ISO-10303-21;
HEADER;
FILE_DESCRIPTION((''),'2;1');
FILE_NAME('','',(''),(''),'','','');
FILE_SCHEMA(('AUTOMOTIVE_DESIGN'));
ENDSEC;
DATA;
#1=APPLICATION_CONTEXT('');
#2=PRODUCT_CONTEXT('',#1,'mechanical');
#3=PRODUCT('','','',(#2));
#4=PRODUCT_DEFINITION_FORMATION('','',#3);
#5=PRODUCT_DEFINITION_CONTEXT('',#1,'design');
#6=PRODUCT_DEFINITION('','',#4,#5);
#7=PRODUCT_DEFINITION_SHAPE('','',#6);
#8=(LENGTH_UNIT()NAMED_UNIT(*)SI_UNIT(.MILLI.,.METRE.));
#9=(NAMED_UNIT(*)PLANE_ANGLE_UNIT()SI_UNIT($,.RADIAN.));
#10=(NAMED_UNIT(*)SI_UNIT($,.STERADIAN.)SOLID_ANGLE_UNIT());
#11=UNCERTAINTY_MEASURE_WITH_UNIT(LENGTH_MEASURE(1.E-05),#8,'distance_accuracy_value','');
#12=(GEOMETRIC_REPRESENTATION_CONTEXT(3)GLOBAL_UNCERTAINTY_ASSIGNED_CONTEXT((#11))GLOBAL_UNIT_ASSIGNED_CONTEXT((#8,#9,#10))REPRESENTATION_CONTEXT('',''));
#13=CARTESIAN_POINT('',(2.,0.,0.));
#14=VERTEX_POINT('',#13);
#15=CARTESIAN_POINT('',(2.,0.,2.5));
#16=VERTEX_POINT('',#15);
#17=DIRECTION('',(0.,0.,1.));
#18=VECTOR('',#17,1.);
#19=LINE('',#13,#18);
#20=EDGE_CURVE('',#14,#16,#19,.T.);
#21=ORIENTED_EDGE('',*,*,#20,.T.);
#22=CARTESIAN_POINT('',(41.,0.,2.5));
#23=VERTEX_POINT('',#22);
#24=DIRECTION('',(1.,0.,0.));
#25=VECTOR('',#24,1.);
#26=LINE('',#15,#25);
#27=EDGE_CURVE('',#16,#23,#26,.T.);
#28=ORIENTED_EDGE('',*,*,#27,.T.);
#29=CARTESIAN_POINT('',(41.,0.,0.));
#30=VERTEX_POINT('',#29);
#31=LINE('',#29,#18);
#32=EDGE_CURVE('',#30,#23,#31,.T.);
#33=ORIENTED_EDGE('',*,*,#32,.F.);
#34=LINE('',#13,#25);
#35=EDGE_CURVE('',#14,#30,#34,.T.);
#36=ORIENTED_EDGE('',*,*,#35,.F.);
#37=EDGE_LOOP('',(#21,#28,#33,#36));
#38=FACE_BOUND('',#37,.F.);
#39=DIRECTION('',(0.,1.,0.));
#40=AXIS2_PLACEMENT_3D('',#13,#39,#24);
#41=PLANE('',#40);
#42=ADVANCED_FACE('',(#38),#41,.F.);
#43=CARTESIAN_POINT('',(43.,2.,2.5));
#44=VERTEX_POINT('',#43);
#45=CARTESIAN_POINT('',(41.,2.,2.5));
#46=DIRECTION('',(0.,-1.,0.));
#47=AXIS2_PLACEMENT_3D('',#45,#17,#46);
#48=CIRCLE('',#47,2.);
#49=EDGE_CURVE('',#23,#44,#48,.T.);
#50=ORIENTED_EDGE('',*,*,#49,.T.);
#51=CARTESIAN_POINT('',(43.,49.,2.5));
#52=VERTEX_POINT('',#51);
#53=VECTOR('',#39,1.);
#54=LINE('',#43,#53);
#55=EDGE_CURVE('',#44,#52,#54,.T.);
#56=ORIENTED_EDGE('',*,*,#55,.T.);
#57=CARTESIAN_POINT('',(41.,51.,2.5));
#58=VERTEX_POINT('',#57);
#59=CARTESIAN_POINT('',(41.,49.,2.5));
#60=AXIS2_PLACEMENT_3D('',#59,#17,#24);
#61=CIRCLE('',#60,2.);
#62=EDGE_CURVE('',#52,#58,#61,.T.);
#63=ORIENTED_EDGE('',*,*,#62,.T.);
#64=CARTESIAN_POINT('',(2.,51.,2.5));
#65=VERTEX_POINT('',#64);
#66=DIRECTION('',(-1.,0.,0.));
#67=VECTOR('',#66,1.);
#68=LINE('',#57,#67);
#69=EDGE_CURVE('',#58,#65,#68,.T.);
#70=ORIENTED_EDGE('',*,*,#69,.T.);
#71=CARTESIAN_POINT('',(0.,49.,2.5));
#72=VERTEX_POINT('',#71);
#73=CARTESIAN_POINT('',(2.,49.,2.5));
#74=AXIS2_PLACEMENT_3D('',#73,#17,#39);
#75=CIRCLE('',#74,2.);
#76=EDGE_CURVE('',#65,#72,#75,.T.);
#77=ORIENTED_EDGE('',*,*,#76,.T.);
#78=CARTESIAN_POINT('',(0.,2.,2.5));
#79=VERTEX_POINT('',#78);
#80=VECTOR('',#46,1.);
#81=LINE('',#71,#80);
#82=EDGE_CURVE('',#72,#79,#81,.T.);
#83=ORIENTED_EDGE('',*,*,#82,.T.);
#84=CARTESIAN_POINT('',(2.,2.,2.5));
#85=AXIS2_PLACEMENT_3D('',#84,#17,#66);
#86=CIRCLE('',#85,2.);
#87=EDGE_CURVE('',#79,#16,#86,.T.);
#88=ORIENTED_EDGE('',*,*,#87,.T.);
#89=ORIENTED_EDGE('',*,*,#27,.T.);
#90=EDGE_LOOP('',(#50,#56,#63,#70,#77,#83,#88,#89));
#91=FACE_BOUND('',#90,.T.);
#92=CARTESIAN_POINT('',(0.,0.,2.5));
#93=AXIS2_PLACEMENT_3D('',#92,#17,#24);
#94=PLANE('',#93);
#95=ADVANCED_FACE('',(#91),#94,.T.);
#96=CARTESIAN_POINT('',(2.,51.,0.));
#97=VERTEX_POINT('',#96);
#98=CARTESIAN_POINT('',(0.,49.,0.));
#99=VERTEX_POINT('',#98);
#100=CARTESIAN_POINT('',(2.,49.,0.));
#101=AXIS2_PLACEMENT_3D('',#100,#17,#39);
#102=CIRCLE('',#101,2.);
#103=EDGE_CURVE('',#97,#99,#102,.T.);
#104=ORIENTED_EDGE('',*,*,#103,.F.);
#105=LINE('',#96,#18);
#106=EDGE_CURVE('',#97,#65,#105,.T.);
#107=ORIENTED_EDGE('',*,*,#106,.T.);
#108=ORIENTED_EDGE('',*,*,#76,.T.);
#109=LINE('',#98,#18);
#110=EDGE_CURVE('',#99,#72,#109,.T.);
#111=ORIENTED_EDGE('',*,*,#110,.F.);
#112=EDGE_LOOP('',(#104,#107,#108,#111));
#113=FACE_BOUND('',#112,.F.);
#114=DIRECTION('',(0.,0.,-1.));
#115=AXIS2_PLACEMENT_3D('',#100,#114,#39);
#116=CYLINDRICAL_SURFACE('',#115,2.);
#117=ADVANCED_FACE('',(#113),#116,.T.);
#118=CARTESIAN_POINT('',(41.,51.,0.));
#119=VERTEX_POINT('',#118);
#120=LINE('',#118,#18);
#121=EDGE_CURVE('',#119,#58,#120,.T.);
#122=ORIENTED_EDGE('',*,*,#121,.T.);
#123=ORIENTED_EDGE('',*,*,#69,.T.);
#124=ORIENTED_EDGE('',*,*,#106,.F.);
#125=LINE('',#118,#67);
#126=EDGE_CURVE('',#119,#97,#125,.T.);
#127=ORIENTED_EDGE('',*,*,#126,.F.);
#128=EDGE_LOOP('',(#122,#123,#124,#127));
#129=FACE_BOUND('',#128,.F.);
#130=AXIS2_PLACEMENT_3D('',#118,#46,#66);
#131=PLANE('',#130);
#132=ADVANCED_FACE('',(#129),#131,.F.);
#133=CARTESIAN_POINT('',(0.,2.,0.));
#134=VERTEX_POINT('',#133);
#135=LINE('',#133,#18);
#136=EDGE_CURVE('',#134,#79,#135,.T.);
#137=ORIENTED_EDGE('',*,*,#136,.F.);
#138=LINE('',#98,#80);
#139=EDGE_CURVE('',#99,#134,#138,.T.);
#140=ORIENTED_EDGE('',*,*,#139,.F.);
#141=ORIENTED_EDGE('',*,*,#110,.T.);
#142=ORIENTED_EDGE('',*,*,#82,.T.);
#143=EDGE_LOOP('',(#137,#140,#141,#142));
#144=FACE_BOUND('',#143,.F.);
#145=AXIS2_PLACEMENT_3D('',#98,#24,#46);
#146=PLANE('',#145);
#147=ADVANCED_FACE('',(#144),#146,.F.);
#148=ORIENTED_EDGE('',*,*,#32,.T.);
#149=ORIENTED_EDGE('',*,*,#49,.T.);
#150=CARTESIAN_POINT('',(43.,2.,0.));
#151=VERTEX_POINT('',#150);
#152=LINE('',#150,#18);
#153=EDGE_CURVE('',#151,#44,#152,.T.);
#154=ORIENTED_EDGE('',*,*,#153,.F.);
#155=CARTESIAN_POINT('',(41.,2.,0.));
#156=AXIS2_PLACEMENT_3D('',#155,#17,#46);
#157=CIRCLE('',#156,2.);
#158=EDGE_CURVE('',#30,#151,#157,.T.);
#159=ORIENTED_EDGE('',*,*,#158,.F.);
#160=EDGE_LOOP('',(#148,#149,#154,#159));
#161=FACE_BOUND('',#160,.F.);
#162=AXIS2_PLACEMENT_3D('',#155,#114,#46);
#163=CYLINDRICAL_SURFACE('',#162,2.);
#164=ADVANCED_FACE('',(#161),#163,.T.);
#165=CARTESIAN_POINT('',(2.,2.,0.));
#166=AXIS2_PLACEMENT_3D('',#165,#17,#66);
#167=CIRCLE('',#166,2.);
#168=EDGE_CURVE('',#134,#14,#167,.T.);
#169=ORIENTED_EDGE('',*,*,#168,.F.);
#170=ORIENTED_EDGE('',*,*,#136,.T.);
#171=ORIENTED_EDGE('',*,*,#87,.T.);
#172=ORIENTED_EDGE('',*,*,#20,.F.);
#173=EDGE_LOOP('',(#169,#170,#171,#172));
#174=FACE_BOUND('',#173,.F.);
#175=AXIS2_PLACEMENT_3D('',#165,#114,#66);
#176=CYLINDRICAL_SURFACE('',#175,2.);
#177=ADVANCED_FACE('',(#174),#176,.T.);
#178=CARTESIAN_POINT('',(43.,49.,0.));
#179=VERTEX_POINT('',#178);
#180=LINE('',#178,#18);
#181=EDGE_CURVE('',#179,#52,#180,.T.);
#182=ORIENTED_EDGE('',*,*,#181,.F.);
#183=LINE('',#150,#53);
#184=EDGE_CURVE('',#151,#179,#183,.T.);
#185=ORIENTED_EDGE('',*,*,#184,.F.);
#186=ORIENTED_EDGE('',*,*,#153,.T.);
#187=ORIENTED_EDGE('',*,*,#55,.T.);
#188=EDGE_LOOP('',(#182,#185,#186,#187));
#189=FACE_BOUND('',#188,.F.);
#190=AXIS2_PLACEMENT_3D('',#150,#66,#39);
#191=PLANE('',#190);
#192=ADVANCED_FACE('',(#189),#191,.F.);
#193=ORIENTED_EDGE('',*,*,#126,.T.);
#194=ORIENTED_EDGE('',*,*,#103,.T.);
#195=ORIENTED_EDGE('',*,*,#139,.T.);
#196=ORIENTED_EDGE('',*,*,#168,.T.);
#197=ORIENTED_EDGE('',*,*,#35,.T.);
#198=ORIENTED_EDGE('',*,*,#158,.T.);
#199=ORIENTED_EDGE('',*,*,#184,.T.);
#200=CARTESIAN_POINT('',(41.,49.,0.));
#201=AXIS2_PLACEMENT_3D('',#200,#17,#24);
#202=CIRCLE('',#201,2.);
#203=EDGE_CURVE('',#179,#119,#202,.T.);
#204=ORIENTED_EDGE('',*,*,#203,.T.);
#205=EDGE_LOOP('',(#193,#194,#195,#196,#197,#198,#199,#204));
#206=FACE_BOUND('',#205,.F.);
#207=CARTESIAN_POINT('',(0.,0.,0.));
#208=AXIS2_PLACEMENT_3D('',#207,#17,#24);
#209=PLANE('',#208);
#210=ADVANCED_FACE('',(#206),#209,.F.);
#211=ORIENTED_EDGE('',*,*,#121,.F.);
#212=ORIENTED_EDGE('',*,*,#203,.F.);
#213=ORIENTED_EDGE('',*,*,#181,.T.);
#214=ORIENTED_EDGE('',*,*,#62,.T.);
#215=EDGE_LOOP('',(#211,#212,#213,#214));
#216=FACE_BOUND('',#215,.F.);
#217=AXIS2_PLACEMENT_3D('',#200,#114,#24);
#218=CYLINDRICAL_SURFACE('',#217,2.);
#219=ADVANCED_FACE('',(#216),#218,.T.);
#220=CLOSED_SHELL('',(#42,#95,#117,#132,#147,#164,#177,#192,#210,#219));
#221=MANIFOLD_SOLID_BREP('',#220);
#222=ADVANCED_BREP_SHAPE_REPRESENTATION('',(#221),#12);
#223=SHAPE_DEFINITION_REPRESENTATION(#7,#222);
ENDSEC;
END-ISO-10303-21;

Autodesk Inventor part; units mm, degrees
ref_plane "YZ Plane" through (0, 0, 0) normal (1, 0, 0) x (0, 1, 0)
ref_plane "XZ Plane" through (0, 0, 0) normal (0, 1, 0) x (-1, 0, 0)
ref_plane "XY Plane" through (0, 0, 0) normal (0, 0, 1) x (1, 0, 0)
sketch "Sketch1" plane through (0, 0, 0) normal (0, 0, 1) x (1, 0, 0)
  line L0 (2, 0) -> (41, 0)
  line L1 (43, 2) -> (43, 49)
  line L2 (41, 51) -> (2, 51)
  line L3 (0, 49) -> (0, 2)
  arc A0 (2, 51) -> (0, 49) centre (2, 49) ccw
  arc A1 (0, 2) -> (2, 0) centre (2, 2) ccw
  arc A2 (41, 0) -> (43, 2) centre (41, 2) ccw
  arc A3 (43, 49) -> (41, 51) centre (41, 49) ccw
  point P0 (0, 0)
  point P1 (43, 51)
  point P2 (43, 0)
  dimension "d0" = 43
  dimension "d1" = 51
  dimension "d2" = 2
  dimension "d3" = 2
extrude "Extrusion1" add sketch "Sketch1" along normal blind 2.5
properties part number "PerfBoard"
